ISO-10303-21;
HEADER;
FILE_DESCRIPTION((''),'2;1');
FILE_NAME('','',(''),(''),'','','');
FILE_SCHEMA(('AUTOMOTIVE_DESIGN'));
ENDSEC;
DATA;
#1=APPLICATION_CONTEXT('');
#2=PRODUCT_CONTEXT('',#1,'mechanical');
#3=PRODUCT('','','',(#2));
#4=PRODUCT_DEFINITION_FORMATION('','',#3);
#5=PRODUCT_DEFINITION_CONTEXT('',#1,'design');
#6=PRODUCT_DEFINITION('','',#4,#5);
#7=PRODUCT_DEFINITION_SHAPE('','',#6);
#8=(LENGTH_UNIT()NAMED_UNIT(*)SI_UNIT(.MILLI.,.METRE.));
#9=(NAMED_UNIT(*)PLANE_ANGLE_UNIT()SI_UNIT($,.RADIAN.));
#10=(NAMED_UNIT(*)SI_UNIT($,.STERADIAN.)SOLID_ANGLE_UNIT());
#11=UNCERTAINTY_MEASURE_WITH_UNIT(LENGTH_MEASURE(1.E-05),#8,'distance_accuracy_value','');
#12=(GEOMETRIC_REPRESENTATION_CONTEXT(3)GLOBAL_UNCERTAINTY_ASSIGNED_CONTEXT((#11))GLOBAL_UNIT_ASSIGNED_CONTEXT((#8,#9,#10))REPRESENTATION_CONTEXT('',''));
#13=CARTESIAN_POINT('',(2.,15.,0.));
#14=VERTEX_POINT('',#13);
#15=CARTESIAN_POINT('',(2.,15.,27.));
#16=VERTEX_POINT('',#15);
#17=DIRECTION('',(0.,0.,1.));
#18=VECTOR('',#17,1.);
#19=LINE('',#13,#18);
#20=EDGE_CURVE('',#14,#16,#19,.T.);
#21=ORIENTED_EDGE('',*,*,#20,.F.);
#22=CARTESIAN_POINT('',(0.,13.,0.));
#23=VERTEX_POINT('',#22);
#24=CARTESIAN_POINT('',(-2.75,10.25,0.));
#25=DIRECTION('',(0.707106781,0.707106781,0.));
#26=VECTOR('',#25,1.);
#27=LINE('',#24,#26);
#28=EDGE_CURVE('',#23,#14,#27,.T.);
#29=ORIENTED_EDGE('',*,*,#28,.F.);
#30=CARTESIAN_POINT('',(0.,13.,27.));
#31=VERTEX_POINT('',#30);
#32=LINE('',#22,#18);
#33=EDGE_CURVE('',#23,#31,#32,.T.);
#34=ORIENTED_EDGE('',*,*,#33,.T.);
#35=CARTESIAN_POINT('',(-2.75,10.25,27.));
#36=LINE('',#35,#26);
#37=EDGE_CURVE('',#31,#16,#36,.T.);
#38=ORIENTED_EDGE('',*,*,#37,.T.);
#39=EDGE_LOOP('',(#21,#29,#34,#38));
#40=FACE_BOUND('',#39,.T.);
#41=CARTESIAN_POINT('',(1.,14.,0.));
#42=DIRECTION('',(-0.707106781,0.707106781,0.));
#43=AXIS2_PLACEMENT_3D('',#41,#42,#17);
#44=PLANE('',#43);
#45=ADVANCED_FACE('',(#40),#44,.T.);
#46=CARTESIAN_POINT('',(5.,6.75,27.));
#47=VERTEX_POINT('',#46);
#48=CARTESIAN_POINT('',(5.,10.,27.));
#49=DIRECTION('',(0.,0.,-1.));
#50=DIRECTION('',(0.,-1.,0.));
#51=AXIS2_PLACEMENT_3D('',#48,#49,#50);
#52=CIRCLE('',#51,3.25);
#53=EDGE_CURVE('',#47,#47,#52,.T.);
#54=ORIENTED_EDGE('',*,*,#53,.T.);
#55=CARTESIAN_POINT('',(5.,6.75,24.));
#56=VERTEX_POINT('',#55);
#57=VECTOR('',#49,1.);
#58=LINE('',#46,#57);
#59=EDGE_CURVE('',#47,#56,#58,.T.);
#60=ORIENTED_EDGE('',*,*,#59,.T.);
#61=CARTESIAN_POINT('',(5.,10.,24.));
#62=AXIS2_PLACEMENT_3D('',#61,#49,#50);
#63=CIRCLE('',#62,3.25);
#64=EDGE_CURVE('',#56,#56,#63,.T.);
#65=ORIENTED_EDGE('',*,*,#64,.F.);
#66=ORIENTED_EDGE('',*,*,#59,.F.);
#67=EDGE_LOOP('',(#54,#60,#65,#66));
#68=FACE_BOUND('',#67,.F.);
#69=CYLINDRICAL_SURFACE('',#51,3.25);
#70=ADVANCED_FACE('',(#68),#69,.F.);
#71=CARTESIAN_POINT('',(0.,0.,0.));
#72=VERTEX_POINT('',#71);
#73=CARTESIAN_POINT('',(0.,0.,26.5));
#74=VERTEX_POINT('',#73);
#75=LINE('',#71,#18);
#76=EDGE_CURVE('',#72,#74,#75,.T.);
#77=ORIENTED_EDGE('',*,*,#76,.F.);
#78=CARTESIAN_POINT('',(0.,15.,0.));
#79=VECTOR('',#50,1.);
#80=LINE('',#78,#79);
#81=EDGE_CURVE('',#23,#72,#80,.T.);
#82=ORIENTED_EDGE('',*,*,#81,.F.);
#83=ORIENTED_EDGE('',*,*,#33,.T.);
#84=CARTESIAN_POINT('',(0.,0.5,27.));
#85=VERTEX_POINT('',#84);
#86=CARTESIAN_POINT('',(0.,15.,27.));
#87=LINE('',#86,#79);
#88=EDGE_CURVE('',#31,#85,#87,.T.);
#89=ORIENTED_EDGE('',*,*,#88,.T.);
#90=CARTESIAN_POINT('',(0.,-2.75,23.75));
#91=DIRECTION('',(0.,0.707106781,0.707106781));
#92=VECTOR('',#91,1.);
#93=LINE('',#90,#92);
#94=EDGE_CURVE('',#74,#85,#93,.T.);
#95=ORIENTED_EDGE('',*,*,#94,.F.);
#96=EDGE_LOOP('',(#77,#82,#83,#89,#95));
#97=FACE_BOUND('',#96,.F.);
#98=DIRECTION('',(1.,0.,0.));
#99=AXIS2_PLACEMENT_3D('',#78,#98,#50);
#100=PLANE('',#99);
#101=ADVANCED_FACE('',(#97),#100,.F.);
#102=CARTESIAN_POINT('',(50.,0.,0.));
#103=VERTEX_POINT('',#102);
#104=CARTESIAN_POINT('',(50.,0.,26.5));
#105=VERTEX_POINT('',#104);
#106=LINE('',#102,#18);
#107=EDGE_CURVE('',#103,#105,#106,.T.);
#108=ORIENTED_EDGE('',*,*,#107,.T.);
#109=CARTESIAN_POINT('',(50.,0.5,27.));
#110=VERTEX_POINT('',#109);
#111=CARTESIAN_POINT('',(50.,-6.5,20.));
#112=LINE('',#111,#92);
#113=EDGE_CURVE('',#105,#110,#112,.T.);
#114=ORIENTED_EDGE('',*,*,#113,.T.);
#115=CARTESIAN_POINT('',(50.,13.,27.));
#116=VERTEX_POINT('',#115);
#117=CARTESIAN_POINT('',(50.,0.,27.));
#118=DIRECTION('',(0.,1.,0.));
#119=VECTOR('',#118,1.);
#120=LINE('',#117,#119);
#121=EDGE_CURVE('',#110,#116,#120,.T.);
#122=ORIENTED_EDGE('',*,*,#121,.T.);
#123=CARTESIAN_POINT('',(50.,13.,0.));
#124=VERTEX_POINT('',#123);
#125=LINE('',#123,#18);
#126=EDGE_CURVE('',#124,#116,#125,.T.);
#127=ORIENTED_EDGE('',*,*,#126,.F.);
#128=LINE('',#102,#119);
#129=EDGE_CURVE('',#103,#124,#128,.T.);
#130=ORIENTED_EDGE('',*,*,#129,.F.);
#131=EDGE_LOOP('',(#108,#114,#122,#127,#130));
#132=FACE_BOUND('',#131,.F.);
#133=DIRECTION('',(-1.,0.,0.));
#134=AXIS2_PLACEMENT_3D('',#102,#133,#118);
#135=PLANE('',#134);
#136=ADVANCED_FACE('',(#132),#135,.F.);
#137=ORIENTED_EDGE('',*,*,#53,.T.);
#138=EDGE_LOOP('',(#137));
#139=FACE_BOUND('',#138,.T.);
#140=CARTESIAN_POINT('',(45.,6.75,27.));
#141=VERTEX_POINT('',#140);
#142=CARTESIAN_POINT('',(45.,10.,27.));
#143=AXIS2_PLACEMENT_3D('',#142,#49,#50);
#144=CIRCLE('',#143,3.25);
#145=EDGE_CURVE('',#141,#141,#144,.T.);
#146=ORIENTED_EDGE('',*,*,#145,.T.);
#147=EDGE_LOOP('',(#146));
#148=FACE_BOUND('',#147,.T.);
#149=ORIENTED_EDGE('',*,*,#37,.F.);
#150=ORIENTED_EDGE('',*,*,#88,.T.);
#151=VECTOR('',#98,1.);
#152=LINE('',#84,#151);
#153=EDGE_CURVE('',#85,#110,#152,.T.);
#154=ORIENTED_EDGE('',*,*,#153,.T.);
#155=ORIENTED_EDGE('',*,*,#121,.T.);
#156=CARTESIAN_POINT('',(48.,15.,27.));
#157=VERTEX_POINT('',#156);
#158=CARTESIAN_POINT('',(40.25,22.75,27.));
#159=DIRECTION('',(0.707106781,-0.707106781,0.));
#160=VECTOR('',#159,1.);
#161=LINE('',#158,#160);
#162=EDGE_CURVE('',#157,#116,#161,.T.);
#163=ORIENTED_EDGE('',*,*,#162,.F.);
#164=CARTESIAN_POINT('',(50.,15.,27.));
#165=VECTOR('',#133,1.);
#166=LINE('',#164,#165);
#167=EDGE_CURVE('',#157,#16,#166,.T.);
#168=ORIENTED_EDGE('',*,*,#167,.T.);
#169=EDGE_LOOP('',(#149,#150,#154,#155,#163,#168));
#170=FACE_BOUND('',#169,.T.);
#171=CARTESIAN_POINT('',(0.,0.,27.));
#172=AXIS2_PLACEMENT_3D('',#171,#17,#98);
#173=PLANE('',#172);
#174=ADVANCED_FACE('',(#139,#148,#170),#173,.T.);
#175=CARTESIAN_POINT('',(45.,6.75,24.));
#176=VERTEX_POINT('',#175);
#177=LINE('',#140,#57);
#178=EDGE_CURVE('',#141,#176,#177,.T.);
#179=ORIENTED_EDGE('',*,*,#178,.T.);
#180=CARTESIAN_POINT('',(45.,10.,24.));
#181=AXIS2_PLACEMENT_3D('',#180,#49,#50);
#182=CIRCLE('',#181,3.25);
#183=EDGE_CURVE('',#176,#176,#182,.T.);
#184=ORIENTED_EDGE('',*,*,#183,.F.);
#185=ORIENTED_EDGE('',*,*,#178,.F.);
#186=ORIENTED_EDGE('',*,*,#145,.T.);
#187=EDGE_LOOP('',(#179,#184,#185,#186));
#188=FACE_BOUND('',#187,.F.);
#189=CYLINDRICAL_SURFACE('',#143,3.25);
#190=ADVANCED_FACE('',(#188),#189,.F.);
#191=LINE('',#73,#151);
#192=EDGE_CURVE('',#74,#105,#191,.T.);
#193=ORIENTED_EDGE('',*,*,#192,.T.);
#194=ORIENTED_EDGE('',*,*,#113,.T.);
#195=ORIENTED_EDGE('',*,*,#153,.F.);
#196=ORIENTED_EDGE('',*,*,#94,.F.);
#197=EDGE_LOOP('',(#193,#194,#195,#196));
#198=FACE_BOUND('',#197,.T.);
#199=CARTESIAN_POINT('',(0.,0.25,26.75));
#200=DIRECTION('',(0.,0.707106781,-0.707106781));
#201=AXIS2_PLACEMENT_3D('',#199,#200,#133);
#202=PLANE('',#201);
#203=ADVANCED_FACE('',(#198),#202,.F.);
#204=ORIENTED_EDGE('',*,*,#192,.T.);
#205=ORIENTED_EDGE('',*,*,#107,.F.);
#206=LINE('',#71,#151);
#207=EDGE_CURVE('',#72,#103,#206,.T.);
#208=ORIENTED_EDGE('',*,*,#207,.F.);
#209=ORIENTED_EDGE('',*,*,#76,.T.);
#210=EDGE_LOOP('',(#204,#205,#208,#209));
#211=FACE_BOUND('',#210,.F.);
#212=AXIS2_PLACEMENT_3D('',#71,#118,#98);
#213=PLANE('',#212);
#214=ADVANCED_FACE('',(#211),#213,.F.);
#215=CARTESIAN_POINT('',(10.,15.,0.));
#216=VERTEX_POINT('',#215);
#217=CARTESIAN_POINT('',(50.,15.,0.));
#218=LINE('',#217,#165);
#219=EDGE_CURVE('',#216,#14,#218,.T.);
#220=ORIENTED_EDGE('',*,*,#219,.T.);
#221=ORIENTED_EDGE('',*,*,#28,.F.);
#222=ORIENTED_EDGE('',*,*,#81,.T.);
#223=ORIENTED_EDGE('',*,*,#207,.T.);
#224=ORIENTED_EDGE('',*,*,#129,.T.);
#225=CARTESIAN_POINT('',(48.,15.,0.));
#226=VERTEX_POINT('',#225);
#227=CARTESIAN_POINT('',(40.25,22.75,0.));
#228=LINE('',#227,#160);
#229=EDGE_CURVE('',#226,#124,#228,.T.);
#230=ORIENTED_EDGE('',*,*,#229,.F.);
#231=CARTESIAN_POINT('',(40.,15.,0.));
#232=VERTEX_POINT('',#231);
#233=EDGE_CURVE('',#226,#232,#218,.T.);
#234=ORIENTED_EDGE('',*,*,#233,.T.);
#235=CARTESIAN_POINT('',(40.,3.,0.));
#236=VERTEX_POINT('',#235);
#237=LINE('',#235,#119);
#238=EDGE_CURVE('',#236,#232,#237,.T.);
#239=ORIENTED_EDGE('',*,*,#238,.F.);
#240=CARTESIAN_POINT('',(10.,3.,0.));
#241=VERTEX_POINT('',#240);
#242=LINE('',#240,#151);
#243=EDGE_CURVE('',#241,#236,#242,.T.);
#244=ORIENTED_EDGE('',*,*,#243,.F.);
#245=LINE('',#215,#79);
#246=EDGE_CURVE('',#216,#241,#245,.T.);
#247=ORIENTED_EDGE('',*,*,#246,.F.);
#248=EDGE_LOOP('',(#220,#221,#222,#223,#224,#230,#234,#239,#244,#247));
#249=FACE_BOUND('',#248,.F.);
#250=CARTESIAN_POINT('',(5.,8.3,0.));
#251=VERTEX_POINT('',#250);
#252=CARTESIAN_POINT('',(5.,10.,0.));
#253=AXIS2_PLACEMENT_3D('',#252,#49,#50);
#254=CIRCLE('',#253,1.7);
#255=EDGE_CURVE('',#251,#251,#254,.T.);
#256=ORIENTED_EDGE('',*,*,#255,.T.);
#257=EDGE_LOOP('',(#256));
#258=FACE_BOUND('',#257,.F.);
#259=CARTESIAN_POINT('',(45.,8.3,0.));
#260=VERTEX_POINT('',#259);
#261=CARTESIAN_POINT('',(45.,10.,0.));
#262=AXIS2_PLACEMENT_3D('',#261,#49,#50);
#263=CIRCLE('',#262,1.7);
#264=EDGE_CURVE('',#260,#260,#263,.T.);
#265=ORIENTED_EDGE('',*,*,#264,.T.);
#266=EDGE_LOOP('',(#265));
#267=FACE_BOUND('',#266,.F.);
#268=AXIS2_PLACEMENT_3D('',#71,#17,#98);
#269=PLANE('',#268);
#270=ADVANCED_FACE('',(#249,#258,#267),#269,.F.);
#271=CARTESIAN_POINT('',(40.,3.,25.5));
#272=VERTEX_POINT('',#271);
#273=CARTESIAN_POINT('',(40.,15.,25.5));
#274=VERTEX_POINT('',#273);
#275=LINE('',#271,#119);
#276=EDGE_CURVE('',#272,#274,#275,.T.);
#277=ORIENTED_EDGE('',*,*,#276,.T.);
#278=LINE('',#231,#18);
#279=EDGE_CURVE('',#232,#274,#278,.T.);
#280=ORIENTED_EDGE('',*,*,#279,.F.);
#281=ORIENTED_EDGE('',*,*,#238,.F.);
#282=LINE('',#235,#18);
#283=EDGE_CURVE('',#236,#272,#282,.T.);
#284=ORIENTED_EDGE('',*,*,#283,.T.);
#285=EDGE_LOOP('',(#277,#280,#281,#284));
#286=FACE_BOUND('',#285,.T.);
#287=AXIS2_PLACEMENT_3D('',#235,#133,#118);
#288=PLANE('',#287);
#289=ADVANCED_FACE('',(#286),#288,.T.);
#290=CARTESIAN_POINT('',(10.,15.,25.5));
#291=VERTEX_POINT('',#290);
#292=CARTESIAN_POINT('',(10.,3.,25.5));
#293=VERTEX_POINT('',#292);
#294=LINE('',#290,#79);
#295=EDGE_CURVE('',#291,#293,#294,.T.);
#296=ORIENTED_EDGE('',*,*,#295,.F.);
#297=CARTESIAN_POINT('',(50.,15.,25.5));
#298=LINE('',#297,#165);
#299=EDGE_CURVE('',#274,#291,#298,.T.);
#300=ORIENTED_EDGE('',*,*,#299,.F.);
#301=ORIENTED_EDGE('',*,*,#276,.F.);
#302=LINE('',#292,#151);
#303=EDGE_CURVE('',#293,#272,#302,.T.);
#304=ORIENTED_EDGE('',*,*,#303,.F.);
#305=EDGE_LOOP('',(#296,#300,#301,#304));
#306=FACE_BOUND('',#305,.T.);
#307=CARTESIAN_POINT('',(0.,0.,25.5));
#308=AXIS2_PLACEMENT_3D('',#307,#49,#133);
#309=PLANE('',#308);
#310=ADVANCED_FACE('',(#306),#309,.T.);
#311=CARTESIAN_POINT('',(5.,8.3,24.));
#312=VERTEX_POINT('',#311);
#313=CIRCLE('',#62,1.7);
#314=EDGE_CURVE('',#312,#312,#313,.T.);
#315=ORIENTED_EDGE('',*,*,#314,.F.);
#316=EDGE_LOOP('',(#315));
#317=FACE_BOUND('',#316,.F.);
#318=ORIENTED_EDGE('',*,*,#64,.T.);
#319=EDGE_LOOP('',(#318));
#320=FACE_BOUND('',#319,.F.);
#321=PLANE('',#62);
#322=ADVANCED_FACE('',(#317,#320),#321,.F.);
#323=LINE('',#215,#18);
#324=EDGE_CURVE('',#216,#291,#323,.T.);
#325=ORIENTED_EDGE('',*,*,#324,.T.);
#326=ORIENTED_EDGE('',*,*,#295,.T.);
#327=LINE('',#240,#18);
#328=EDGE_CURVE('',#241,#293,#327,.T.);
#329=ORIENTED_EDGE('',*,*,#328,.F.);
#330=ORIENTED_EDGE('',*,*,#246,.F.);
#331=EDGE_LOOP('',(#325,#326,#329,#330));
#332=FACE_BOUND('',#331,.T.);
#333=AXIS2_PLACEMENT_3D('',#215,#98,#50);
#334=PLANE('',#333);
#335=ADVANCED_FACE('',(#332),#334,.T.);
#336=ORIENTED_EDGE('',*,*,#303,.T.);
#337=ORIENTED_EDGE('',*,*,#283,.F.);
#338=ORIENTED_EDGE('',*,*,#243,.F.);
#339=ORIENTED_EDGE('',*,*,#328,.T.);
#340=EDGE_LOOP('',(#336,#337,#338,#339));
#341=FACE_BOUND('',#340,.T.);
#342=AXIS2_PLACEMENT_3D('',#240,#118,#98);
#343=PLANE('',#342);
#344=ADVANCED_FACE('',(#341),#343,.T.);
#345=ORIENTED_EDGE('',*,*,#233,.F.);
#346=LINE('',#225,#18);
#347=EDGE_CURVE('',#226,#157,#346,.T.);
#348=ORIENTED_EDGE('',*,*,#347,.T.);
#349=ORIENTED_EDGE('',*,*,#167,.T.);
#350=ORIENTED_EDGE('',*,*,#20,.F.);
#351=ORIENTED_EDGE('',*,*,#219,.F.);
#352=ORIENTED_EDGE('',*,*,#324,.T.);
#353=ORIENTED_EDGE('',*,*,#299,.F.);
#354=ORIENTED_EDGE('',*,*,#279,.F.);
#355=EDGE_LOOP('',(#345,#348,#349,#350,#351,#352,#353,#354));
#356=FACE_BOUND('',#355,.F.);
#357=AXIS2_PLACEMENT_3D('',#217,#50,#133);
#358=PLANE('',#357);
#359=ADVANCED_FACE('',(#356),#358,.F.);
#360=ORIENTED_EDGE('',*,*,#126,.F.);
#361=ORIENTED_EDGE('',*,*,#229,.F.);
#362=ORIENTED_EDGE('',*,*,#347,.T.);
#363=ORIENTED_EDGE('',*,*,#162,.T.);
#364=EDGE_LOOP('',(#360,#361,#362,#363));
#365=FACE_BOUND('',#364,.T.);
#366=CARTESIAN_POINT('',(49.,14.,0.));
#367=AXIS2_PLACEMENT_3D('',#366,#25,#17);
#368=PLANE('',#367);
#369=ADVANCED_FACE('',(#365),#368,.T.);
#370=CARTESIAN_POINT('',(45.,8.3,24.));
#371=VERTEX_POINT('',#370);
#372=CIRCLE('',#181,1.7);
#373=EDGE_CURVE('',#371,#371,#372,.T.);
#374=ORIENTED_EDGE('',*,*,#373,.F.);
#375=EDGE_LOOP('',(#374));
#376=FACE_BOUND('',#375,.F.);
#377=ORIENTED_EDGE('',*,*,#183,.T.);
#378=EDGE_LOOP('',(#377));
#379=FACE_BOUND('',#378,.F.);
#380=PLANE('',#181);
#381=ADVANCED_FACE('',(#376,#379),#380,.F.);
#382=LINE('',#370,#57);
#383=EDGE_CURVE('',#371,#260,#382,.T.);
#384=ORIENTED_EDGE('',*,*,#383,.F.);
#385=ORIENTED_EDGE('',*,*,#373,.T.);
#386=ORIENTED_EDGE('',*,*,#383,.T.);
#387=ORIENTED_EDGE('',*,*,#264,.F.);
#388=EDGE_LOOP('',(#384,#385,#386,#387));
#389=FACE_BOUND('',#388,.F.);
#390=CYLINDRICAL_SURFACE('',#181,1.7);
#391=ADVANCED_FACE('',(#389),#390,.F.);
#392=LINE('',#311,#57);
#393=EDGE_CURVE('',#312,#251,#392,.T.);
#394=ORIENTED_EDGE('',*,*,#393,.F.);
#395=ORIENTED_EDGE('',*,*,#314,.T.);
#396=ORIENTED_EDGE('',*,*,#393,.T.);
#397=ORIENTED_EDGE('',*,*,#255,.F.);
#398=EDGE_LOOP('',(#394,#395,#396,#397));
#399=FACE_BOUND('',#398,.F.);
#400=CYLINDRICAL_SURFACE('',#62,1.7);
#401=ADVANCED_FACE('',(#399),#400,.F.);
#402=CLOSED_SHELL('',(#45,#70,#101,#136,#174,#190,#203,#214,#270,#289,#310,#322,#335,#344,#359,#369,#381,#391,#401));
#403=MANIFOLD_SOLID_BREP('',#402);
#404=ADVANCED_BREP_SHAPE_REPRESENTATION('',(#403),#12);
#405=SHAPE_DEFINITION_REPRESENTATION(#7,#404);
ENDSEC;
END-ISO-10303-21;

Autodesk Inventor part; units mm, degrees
ref_plane "YZ Plane" through (0, 0, 0) normal (1, 0, 0) x (0, 1, 0)
ref_plane "XZ Plane" through (0, 0, 0) normal (0, 1, 0) x (-1, 0, 0)
ref_plane "XY Plane" through (0, 0, 0) normal (0, 0, 1) x (1, 0, 0)
sketch "Skizze1" plane through (0, 0, 0) normal (0, 0, 1) x (1, 0, 0)
  line L0 (0, 0) -> (50, 0)
  line L1 (50, 0) -> (50, 15)
  line L2 (50, 15) -> (0, 15)
  line L3 (0, 15) -> (0, 0)
  dimension "d0" = 15
  dimension "d1" = 50
extrude "Extrusion1" add sketch "Skizze1" along normal blind 27
hole "Bohrung1" at (45, 10, 27) direction (0, 0, -1) diameter 3.4 end through all counterbore diameter 6.5 counterbore depth 3 clearance for "Inbusschraube DIN EN ISO 4762" size "M3" standard "DIN"
hole "Bohrung2" at (5, 10, 27) direction (0, 0, -1) diameter 3.4 end through all counterbore diameter 6.5 counterbore depth 3 clearance for "Inbusschraube DIN EN ISO 4762" size "M3" standard "DIN"
chamfer "Fase1" distance 0.5 angle 45 1 edges at (25, 0, 27)
sketch "Skizze2" plane through (0, 0, 0) normal (0, 0, -1) x (-1, 0, 0)
  line L0 (0, 15) -> (0, 0) projected
  line L1 (-50, 15) -> (0, 15) projected
  line L2 (-50, 0) -> (-50, 15) projected
  line L3 (-40, 15) -> (-10, 15)
  line L4 (-10, 15) -> (-10, 3)
  line L5 (-10, 3) -> (-40, 3)
  line L6 (-40, 3) -> (-40, 15)
  dimension "d25" = 10
  dimension "d26" = 10
  dimension "d27" = 12
extrude "Extrusion2" cut sketch "Skizze2" against normal blind 25.5
chamfer "Fase2" distance 2 angle 45 2 edges at (50, 15, 13.5) (0, 15, 13.5)
properties part number "Peripherie_Motor2_liegend"
